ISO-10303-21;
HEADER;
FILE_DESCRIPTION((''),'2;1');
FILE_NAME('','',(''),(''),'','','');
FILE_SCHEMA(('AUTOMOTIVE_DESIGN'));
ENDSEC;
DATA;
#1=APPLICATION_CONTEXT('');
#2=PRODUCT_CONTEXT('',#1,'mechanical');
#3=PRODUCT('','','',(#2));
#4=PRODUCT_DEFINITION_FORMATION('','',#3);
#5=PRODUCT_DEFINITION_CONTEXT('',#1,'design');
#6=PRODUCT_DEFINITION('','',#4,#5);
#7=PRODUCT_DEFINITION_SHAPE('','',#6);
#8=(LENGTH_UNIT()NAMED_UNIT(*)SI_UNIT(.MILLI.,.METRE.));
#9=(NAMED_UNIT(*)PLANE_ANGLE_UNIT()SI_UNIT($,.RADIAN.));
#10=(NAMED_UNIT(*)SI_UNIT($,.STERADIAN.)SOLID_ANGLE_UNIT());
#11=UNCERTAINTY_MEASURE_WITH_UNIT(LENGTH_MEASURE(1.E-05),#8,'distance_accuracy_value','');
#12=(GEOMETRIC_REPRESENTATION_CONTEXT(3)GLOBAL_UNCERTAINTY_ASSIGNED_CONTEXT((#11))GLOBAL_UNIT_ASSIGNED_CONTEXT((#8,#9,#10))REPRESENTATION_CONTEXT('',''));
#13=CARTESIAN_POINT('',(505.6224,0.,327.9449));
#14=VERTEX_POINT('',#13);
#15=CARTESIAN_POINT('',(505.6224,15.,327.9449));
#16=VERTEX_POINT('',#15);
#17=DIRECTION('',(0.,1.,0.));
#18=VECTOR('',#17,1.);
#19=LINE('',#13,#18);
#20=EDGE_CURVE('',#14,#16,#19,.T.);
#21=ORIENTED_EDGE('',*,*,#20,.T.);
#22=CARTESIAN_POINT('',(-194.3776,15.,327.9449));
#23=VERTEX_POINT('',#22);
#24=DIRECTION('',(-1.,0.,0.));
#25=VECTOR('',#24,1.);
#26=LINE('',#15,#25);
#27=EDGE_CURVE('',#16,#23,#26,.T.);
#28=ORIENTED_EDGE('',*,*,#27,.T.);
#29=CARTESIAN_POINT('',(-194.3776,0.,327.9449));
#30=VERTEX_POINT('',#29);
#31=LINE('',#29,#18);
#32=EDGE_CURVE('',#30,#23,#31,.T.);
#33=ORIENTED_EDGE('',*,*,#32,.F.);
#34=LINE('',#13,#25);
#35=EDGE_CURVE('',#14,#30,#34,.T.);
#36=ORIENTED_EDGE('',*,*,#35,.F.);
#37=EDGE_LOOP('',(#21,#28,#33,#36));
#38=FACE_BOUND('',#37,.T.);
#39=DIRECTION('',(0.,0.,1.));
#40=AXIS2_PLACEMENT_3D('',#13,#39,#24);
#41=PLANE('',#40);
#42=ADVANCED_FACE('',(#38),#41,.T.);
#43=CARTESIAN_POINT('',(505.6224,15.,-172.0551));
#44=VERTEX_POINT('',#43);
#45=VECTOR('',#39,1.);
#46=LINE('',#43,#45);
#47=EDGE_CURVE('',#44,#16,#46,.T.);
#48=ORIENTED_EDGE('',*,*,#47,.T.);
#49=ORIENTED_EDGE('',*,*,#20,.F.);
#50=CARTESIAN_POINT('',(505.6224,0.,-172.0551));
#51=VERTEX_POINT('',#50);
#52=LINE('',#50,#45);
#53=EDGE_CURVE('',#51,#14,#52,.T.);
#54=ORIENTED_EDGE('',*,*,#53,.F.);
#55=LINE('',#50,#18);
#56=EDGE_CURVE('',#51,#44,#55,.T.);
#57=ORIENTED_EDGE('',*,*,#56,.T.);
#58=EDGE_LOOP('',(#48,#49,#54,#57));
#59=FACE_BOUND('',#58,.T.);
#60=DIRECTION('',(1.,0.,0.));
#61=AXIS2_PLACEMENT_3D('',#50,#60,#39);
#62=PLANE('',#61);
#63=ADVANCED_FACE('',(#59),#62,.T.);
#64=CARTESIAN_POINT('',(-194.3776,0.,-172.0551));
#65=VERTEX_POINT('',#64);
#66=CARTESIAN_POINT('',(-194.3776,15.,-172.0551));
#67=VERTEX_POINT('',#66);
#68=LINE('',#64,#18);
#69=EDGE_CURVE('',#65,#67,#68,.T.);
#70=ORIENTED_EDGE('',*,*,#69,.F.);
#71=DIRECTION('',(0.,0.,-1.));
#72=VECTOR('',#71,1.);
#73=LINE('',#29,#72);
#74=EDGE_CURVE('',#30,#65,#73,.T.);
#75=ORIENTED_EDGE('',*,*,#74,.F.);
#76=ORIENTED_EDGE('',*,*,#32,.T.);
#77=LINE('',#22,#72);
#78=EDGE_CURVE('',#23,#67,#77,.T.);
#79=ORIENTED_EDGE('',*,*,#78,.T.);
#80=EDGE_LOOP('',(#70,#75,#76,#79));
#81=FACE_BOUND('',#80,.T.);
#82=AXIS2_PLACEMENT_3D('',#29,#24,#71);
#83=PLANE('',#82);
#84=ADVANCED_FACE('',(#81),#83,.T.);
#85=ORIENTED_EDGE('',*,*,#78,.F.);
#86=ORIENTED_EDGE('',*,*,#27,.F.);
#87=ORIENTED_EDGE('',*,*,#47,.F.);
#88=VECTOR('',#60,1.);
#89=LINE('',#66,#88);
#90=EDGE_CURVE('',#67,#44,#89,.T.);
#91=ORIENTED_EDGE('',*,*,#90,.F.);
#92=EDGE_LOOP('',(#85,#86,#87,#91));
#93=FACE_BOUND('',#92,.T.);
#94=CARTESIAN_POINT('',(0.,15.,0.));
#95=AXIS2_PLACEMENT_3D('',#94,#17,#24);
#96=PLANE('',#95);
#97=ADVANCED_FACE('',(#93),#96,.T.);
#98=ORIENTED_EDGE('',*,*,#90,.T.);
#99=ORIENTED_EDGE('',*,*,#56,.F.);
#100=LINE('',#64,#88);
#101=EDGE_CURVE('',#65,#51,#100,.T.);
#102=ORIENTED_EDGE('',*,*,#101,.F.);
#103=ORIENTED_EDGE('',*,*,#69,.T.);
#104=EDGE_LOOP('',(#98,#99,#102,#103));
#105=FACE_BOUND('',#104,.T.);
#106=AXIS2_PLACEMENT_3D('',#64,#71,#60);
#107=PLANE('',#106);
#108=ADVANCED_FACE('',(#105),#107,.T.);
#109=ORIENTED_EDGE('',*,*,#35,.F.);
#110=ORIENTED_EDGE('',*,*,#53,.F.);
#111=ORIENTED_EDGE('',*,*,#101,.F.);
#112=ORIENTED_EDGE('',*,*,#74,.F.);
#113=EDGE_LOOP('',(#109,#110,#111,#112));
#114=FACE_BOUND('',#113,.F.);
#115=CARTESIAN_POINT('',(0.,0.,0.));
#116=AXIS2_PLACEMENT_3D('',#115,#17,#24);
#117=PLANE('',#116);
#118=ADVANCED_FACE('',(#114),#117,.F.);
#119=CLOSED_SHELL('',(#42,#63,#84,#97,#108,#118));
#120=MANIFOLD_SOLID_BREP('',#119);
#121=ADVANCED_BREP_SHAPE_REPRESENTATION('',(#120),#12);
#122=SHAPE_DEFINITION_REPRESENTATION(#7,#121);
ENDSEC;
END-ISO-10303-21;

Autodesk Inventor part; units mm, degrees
ref_plane "YZ Plane" through (0, 0, 0) normal (1, 0, 0) x (0, 1, 0)
ref_plane "XZ Plane" through (0, 0, 0) normal (0, 1, 0) x (-1, 0, 0)
ref_plane "XY Plane" through (0, 0, 0) normal (0, 0, 1) x (1, 0, 0)
sketch "Sketch1" plane through (0, 0, 0) normal (0, 1, 0) x (-1, 0, 0)
  line L0 (194.3776, -172.0551) -> (-505.6224, -172.0551)
  line L1 (-505.6224, -172.0551) -> (-505.6224, 327.9449)
  line L2 (-505.6224, 327.9449) -> (194.3776, 327.9449)
  line L3 (194.3776, 327.9449) -> (194.3776, -172.0551)
  line L4 (194.3776, -172.0551) -> (-505.6224, 327.9449) construction
  line L5 (-505.6224, -172.0551) -> (194.3776, 327.9449) construction
  point P0 (-155.6224, 77.9449)
  dimension "d2" = 700
  dimension "d3" = 500
extrude "Extrusion1" add sketch "Sketch1" along normal blind 15
properties part number "Base"
